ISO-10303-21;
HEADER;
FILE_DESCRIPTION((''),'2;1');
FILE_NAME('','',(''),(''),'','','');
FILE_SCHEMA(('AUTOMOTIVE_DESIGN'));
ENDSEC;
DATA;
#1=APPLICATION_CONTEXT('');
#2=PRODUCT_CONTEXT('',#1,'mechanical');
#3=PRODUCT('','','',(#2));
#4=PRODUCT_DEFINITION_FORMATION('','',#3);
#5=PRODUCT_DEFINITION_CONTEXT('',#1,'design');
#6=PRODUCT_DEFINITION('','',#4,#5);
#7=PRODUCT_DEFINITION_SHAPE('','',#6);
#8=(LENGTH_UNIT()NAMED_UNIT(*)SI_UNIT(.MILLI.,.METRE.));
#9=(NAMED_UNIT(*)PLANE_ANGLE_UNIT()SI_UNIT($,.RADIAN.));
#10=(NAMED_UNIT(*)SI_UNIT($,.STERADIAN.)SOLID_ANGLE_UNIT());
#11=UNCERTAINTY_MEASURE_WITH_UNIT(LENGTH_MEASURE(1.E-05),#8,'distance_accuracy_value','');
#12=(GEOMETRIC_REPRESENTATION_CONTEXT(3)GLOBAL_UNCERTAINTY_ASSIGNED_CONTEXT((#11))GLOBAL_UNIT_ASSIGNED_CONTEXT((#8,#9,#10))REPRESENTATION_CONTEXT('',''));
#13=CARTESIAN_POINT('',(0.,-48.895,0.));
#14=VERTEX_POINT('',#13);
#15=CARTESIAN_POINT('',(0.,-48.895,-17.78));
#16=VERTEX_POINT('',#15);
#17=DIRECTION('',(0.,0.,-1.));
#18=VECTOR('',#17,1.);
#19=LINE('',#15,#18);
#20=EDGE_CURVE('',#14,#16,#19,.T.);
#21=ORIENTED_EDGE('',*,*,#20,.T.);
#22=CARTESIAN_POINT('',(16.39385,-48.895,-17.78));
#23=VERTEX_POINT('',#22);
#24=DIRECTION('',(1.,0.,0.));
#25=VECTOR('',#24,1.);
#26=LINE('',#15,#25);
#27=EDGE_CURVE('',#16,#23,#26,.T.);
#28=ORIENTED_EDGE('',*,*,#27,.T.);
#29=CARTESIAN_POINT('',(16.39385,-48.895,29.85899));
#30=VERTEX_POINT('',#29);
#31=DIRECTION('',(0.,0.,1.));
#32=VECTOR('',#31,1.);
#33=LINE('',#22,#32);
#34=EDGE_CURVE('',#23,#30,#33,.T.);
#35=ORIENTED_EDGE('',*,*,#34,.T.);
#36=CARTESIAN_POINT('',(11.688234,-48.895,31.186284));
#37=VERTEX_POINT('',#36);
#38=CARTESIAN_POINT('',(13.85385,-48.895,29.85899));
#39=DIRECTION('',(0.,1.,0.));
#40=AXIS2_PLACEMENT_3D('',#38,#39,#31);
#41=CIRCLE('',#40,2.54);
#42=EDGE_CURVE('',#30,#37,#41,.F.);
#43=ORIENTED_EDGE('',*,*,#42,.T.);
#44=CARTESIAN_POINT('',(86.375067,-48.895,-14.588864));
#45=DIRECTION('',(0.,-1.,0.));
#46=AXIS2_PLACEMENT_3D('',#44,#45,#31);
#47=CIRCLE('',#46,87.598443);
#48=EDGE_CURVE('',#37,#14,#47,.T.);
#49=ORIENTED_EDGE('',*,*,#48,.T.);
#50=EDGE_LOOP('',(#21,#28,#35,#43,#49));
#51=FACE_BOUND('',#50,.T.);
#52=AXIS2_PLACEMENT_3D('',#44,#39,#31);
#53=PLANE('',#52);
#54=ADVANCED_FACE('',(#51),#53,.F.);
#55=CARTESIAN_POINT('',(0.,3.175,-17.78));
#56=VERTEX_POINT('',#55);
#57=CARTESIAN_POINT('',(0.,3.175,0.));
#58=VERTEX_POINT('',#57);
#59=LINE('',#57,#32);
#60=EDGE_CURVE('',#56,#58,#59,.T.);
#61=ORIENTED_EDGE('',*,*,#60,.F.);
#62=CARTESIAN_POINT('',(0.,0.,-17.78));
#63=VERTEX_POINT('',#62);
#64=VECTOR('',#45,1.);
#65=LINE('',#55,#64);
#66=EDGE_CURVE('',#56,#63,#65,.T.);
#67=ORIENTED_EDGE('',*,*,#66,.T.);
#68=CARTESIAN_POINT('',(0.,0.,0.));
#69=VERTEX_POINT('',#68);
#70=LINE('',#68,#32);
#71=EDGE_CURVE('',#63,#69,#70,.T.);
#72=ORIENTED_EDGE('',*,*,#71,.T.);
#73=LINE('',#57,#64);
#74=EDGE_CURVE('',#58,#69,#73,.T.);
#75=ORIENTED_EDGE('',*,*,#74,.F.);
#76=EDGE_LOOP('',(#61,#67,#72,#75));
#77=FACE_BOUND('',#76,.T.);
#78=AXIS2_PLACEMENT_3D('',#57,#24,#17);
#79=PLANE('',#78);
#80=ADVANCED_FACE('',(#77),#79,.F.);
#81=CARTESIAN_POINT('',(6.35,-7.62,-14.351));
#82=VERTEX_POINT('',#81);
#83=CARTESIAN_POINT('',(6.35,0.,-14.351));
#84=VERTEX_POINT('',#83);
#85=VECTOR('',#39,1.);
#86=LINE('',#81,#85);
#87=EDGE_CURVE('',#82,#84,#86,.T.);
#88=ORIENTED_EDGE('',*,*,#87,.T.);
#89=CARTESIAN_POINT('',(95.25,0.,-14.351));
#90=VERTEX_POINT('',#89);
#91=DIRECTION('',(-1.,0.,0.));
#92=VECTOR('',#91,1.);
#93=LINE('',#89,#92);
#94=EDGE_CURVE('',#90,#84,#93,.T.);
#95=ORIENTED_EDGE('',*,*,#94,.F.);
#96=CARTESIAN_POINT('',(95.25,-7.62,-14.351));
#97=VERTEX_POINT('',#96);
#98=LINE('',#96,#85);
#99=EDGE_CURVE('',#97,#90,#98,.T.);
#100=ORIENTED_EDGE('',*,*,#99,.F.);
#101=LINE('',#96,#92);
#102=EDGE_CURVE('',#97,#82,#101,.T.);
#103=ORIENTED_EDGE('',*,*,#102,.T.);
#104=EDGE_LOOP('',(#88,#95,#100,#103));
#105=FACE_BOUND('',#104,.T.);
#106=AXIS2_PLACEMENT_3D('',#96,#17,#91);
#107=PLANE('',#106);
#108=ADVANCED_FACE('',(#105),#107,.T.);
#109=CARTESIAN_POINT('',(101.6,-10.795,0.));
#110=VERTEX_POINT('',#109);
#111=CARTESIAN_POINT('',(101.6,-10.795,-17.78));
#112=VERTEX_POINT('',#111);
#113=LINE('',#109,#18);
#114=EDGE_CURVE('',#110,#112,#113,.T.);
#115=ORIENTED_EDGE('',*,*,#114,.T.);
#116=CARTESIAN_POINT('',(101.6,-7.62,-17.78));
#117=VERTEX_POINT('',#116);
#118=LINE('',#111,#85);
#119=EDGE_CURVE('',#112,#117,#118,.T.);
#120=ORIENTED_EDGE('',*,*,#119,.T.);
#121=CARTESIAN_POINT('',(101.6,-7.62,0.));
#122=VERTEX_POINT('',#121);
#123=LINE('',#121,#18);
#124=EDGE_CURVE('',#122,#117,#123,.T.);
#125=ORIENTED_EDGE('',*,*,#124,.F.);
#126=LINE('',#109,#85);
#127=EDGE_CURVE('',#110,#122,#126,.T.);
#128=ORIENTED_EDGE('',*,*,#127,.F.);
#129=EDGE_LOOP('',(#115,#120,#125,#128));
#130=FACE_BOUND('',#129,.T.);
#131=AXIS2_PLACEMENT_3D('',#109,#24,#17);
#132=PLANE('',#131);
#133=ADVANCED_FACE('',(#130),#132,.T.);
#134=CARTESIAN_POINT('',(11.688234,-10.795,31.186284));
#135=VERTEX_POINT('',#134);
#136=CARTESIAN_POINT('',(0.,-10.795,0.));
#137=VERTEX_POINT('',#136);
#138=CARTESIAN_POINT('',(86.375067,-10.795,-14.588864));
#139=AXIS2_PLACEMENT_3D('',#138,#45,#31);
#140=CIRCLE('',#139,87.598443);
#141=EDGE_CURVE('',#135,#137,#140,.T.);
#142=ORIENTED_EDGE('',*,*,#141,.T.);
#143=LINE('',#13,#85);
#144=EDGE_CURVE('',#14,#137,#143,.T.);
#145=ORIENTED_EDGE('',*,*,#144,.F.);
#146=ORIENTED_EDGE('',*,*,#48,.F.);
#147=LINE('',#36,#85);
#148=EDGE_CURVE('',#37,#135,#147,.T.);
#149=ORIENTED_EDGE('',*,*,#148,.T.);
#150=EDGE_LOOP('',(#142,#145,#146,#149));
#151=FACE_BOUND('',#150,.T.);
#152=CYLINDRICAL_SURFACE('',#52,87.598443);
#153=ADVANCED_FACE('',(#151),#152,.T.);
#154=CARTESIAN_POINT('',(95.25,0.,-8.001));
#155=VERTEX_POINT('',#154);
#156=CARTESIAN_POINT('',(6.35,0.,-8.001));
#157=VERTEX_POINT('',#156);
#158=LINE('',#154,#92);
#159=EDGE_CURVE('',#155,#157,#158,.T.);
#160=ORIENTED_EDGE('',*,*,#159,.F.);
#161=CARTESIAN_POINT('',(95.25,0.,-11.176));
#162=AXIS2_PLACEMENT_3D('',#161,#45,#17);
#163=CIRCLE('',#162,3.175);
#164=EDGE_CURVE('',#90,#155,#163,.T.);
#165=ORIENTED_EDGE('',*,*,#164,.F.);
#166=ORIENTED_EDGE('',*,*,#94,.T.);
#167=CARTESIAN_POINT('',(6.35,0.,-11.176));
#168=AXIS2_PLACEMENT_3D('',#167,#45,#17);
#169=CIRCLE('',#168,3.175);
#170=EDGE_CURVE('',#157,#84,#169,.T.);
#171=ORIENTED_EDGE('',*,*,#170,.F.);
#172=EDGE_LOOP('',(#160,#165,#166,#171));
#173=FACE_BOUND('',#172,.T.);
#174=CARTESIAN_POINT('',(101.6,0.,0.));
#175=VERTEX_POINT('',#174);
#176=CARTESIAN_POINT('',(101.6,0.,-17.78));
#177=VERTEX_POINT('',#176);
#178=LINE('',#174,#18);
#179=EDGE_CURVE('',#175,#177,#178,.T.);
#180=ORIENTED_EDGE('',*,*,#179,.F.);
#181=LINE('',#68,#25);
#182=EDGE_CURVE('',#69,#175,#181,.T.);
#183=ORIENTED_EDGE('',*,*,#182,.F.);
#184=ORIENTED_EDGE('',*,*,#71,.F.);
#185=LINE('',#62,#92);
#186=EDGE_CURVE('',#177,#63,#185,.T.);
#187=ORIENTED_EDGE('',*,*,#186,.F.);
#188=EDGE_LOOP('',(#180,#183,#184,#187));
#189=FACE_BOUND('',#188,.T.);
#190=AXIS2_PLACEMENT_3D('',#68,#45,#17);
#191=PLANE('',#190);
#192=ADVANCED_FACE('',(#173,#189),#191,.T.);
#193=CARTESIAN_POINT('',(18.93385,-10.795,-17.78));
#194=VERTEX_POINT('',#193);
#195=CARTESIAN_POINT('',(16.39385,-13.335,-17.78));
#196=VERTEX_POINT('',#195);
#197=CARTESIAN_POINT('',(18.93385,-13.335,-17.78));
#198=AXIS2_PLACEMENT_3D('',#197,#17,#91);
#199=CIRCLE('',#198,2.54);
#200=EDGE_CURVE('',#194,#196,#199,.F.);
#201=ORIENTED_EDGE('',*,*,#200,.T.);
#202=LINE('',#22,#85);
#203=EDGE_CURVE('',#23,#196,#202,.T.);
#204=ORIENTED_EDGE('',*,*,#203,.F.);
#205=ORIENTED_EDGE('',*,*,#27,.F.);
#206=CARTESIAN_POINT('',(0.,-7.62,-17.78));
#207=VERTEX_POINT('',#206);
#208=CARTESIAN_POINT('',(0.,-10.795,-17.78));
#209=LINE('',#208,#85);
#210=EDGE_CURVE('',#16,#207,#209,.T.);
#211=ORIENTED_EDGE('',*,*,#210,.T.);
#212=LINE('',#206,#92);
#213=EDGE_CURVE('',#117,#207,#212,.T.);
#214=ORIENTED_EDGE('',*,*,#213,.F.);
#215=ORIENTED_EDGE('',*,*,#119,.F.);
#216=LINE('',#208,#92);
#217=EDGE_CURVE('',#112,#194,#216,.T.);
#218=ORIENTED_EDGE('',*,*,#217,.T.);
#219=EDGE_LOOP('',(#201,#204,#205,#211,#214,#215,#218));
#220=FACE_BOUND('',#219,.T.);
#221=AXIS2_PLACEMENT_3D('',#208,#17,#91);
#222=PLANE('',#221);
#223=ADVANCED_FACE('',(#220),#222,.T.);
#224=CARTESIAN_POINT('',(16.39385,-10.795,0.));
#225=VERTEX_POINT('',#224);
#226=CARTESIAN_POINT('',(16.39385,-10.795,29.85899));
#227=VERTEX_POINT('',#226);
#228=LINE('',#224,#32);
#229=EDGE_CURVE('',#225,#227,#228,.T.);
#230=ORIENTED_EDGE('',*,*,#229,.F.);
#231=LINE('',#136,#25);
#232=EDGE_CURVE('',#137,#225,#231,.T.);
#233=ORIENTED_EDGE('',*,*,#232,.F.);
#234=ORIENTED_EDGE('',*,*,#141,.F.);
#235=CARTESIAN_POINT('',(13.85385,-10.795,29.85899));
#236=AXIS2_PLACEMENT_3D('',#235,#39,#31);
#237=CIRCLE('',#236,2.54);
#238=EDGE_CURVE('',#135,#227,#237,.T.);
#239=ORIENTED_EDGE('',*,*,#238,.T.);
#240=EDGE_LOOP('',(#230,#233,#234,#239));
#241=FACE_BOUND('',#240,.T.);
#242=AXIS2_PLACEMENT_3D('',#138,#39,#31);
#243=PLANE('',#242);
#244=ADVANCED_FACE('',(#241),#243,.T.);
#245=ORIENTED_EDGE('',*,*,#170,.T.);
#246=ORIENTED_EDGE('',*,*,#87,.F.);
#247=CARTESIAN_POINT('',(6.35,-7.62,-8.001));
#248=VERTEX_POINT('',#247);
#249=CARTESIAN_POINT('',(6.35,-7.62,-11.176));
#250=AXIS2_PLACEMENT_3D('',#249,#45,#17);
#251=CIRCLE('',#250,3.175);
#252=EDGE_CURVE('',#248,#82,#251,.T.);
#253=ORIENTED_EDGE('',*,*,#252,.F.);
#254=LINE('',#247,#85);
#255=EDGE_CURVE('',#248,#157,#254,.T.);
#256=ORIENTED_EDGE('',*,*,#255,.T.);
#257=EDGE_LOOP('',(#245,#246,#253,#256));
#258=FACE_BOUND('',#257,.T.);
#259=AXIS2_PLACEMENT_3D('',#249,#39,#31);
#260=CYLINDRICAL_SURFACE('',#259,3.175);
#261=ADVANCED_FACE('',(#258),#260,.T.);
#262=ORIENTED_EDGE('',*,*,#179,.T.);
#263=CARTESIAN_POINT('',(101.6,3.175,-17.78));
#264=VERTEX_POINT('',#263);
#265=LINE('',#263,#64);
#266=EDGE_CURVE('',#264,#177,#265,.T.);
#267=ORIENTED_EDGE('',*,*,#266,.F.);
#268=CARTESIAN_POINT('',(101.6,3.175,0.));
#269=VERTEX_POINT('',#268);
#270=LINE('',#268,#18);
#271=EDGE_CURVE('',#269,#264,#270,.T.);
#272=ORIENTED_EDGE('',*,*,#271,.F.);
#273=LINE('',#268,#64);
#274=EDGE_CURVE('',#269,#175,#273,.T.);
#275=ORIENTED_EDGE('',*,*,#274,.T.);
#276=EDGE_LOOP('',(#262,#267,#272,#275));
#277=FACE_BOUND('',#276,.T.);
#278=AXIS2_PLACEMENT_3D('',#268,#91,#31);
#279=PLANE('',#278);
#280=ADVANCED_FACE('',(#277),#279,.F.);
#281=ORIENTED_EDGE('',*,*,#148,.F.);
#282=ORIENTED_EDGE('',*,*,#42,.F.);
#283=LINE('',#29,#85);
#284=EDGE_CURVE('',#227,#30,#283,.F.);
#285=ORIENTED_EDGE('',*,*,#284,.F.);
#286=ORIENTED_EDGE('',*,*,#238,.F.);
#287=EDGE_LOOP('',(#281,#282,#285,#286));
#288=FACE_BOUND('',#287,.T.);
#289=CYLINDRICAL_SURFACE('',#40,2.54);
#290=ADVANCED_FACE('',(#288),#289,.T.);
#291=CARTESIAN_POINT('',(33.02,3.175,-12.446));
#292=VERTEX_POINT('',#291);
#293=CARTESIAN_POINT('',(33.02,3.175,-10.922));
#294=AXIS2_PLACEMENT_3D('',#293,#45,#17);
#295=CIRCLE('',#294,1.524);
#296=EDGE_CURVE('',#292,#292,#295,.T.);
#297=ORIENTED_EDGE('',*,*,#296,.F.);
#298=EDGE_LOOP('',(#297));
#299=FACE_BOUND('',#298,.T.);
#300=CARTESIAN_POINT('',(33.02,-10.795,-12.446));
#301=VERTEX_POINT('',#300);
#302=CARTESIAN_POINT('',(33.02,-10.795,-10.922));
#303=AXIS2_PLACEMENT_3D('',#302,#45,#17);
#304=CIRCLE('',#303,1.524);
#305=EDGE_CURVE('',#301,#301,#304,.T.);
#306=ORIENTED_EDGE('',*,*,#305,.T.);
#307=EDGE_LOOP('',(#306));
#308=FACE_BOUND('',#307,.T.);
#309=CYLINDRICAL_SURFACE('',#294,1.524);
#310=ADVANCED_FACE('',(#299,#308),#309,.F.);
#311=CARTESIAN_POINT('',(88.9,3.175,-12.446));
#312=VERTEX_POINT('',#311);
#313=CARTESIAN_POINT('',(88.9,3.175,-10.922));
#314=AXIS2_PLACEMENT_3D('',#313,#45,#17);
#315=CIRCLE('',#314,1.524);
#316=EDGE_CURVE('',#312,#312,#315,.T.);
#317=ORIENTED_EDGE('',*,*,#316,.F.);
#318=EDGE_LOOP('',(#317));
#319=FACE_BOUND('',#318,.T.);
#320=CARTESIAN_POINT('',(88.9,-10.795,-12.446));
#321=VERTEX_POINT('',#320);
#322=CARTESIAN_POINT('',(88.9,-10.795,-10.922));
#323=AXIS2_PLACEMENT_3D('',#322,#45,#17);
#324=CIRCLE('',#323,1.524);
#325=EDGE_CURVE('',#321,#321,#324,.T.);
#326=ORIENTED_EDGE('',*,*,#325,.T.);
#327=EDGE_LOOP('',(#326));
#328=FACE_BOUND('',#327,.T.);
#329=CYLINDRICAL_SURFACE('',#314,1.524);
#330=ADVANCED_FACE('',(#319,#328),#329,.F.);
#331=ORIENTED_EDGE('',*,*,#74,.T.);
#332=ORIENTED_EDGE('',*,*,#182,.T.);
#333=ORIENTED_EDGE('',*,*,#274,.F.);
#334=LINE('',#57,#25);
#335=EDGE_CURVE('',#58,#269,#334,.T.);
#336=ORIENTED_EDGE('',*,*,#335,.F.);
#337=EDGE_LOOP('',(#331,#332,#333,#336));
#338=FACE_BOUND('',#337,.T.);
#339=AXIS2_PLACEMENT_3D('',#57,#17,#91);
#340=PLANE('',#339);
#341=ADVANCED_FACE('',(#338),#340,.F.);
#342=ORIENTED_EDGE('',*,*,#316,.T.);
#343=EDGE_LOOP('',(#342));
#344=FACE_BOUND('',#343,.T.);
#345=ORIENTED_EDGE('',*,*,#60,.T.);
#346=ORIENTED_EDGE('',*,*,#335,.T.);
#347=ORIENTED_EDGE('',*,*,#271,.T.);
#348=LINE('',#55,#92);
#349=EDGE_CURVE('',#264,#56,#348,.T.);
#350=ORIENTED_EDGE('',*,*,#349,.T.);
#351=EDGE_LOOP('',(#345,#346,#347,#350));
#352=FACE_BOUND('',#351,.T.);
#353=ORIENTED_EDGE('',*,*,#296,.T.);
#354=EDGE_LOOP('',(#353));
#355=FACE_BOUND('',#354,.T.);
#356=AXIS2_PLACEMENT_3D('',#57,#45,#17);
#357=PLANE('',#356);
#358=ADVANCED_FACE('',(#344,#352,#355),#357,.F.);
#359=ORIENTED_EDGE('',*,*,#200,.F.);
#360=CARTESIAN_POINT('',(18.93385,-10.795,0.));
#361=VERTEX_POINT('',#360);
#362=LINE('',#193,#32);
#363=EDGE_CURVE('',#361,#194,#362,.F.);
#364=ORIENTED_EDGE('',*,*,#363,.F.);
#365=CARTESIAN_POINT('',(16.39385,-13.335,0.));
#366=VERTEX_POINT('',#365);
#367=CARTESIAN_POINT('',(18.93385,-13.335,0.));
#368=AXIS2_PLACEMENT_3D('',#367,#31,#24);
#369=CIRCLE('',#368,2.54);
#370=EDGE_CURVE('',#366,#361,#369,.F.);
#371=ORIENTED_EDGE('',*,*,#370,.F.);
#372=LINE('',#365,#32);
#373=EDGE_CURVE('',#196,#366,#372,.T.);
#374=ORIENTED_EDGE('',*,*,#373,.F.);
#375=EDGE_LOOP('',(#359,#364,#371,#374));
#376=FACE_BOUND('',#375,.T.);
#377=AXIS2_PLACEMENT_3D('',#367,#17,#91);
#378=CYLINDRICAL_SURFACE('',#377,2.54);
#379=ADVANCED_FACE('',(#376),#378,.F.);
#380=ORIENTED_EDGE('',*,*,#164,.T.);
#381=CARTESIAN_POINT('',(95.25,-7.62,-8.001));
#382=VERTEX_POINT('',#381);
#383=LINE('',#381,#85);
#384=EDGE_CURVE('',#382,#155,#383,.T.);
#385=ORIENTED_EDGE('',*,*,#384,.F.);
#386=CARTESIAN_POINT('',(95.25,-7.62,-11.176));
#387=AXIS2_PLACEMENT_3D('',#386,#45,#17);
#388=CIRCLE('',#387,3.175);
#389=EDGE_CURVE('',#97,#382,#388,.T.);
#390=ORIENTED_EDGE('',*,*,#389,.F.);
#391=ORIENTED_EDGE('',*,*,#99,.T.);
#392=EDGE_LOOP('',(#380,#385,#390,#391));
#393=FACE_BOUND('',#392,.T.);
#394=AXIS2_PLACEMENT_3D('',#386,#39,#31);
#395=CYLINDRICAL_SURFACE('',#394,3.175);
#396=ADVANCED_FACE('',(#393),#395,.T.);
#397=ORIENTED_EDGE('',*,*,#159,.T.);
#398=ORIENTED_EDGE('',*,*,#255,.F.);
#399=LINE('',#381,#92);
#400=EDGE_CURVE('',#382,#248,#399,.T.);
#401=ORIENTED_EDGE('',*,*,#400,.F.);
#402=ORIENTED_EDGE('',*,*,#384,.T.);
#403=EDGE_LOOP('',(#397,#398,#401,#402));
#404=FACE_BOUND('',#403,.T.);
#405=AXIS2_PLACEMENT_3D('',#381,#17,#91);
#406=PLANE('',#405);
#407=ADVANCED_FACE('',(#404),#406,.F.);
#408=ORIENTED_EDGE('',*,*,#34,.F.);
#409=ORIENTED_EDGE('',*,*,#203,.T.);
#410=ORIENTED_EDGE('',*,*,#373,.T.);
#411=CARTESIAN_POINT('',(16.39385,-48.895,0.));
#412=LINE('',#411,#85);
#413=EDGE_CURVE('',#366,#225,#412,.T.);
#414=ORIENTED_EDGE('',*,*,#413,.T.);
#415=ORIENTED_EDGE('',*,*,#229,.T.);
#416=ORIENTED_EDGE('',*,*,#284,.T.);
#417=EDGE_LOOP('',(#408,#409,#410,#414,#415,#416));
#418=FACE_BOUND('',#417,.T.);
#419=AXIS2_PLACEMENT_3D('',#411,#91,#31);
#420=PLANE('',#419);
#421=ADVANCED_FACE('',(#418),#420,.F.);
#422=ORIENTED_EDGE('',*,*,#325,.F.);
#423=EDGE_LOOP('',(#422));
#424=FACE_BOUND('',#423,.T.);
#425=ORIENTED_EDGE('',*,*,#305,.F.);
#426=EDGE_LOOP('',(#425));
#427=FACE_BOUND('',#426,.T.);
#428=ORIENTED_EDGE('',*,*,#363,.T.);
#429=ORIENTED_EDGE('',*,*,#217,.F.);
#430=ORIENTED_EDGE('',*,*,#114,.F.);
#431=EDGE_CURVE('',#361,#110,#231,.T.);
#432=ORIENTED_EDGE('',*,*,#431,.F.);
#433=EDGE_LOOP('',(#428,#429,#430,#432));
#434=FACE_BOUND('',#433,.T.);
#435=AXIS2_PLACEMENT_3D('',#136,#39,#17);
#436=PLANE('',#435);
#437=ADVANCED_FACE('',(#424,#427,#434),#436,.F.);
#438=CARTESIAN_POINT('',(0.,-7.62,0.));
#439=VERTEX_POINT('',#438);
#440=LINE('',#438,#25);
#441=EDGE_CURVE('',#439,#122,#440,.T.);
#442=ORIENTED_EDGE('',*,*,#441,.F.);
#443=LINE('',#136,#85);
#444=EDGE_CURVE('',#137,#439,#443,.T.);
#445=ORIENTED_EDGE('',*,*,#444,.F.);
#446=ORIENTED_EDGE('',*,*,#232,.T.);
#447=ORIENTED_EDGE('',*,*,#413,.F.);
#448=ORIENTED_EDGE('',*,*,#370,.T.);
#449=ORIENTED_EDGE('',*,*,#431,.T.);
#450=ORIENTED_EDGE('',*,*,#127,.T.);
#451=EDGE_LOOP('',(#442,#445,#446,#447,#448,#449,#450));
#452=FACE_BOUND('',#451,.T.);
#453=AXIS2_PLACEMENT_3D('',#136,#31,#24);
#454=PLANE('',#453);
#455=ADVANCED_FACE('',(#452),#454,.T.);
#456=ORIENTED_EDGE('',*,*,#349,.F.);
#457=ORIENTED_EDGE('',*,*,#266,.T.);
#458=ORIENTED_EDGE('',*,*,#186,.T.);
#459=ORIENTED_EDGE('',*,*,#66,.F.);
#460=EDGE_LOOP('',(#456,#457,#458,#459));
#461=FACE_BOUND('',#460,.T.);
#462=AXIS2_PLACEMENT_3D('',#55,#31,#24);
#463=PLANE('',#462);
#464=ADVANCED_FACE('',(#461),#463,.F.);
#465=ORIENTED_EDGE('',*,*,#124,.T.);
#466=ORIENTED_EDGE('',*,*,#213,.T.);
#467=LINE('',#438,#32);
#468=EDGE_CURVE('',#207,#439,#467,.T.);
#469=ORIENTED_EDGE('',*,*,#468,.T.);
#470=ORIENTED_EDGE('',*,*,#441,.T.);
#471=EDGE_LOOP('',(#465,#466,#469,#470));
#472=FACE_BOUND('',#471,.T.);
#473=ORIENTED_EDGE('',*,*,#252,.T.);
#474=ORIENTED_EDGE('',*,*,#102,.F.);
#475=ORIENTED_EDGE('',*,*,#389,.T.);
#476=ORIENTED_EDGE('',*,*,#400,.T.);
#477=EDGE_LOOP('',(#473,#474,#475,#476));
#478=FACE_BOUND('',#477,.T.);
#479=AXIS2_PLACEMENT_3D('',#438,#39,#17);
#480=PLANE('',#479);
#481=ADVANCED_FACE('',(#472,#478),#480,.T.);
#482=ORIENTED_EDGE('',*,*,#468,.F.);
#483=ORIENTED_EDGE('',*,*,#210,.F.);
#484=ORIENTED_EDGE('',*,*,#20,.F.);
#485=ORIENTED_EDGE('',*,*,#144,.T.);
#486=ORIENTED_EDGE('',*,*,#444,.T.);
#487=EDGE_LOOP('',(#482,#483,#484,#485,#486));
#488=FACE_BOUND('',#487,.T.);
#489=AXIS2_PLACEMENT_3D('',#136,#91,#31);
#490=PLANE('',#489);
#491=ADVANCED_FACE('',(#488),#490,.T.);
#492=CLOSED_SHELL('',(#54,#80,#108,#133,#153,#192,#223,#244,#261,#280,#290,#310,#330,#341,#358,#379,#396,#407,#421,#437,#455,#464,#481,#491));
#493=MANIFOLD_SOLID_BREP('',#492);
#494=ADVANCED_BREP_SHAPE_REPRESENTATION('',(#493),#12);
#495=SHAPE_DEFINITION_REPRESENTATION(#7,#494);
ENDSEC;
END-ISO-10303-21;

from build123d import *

# Parameters (mm, degrees)
SKETCH2_W           = 101.6
SKETCH2_H           = 17.78
BOSS_EXTRUDE1_DEPTH = 3.175
BOSS_EXTRUDE2_DEPTH = 7.62
BOSS_EXTRUDE3_DEPTH = 38.1
FILLET1_R           = 2.54
FILLET2_R           = 2.54
SKETCH5_R           = 1.524
CUT_EXTRUDE1_DEPTH  = 14.97


with BuildPart() as part:
    # Sketch2 → Boss-Extrude1 (new body)
    with BuildSketch(Plane(origin=(0, 0, 0), x_dir=(1, 0, 0), z_dir=(0, 1, 0))):
        with Locations((50.8, 8.89)):
            Rectangle(SKETCH2_W, SKETCH2_H)
    boss_extrude1 = extrude(amount=BOSS_EXTRUDE1_DEPTH)

    # Sketch3 → Boss-Extrude2 (add)
    with BuildSketch(Plane.XZ):
        with BuildLine():
            Line((95.25, -14.351), (6.35, -14.351))
            ThreePointArc((6.35, -14.351), (3.175, -11.176), (6.35, -8.001))
            Line((6.35, -8.001), (95.25, -8.001))
            ThreePointArc((95.25, -8.001), (98.425, -11.176), (95.25, -14.351))
        make_face()
    extrude(amount=BOSS_EXTRUDE2_DEPTH)

    # Mirror1: Boss-Extrude1 across plane
    add(boss_extrude1.mirror(Plane(origin=(0, -3.81, 0), x_dir=(0, 0, 1), z_dir=(0, -1, 0))))

    # Sketch4 → Boss-Extrude3 (add)
    with BuildSketch(Plane.XZ.offset(10.795)):
        with BuildLine():
            Line((0, -17.78), (16.393849753, -17.78))
            Line((16.393849753, -17.78), (16.393849753, 0))
            Line((16.393849753, 0), (16.393849753, 38.1))
            ThreePointArc((16.393849753, 38.1), (5.909394782, 20.034289362), (0, 0))
            Line((0, 0), (0, -17.78))
        make_face()
    extrude(amount=BOSS_EXTRUDE3_DEPTH)

    # Fillet1
    fillet1_edges = [part.edges().sort_by_distance(p)[0] for p in [
        (16.393849753, -10.795, -8.89),
    ]]
    fillet(fillet1_edges, radius=FILLET1_R)

    # Fillet2
    fillet2_edges = [part.edges().sort_by_distance(p)[0] for p in [
        (16.393849753, -29.845, 38.1),
    ]]
    fillet(fillet2_edges, radius=FILLET2_R)

    # Sketch5 → Cut-Extrude1 (cut, through all)
    with BuildSketch(Plane(origin=(0, -10.795, 0), x_dir=(-1, 0, 0), z_dir=(0, -1, 0))):
        with Locations((-88.9, 10.922)):
            Circle(SKETCH5_R)
        with Locations((-33.02, 10.922)):
            Circle(SKETCH5_R)
    extrude(amount=-CUT_EXTRUDE1_DEPTH, mode=Mode.SUBTRACT)


solid = part.part
